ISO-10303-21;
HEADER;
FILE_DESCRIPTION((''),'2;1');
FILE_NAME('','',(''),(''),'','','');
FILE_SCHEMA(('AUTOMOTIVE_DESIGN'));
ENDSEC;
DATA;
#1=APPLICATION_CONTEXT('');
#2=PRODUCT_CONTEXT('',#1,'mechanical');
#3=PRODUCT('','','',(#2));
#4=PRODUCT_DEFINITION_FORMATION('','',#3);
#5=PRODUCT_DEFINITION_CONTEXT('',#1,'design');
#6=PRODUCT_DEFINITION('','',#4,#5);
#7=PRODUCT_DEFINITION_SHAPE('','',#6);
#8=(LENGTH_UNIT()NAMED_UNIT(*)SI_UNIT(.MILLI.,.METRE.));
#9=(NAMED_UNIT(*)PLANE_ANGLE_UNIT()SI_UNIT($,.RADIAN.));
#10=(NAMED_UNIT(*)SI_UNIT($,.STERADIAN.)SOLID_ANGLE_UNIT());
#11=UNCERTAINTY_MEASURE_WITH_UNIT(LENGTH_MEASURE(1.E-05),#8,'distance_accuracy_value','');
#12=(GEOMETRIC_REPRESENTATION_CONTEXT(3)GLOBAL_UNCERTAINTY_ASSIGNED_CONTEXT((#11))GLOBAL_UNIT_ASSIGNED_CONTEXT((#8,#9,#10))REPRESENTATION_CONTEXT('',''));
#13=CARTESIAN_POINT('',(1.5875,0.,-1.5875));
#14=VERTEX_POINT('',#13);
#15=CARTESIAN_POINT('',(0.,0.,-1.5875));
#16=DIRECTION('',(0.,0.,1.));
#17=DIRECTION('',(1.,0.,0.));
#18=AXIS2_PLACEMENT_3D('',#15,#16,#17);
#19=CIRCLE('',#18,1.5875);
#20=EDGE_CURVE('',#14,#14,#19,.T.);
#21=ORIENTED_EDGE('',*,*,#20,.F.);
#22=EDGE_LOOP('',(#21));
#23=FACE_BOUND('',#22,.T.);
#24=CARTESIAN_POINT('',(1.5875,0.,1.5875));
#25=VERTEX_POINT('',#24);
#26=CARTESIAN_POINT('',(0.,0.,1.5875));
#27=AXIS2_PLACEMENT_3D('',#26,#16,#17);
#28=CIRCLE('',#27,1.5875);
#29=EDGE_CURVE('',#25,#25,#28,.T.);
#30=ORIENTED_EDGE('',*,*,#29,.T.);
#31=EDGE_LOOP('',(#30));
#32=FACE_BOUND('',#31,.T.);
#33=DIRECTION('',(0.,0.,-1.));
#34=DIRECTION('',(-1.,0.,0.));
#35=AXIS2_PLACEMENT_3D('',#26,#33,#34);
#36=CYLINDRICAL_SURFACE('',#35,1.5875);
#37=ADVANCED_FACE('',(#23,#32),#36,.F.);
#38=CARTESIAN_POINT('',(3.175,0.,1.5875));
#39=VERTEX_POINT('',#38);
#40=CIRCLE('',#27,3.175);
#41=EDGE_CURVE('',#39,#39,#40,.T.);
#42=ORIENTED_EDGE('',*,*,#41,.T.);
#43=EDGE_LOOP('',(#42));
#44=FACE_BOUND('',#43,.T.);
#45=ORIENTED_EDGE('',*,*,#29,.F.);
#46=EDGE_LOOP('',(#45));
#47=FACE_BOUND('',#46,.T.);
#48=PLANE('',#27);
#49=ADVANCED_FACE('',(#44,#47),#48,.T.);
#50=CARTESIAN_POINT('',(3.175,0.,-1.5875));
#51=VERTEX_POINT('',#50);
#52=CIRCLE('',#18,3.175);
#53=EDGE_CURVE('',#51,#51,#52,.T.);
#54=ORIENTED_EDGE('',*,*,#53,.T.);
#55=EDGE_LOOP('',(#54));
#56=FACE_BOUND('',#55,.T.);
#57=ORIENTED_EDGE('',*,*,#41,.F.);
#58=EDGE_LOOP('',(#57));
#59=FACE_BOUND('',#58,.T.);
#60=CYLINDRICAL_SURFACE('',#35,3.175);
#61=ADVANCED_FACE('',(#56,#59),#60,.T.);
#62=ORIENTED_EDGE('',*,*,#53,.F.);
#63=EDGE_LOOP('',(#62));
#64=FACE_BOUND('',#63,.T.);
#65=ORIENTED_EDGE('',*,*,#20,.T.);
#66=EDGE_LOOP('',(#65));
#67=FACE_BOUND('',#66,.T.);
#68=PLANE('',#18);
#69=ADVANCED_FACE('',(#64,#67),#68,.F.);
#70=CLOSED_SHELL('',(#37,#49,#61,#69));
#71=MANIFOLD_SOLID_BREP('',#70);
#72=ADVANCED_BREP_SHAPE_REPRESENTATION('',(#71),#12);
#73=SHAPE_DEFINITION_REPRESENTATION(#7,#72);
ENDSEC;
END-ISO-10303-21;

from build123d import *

# Parameters (mm, degrees)
SKETCH1_R      = 3.175
SKETCH1_R_2    = 1.5875
EXTRUDE1_DEPTH = 1.5875


with BuildPart() as part:
    # Sketch1 → Extrude1 (new body, symmetric)
    with BuildSketch(Plane.XY):
        Circle(SKETCH1_R)
        Circle(SKETCH1_R_2, mode=Mode.SUBTRACT)
    extrude(amount=EXTRUDE1_DEPTH, both=True)


solid = part.part
